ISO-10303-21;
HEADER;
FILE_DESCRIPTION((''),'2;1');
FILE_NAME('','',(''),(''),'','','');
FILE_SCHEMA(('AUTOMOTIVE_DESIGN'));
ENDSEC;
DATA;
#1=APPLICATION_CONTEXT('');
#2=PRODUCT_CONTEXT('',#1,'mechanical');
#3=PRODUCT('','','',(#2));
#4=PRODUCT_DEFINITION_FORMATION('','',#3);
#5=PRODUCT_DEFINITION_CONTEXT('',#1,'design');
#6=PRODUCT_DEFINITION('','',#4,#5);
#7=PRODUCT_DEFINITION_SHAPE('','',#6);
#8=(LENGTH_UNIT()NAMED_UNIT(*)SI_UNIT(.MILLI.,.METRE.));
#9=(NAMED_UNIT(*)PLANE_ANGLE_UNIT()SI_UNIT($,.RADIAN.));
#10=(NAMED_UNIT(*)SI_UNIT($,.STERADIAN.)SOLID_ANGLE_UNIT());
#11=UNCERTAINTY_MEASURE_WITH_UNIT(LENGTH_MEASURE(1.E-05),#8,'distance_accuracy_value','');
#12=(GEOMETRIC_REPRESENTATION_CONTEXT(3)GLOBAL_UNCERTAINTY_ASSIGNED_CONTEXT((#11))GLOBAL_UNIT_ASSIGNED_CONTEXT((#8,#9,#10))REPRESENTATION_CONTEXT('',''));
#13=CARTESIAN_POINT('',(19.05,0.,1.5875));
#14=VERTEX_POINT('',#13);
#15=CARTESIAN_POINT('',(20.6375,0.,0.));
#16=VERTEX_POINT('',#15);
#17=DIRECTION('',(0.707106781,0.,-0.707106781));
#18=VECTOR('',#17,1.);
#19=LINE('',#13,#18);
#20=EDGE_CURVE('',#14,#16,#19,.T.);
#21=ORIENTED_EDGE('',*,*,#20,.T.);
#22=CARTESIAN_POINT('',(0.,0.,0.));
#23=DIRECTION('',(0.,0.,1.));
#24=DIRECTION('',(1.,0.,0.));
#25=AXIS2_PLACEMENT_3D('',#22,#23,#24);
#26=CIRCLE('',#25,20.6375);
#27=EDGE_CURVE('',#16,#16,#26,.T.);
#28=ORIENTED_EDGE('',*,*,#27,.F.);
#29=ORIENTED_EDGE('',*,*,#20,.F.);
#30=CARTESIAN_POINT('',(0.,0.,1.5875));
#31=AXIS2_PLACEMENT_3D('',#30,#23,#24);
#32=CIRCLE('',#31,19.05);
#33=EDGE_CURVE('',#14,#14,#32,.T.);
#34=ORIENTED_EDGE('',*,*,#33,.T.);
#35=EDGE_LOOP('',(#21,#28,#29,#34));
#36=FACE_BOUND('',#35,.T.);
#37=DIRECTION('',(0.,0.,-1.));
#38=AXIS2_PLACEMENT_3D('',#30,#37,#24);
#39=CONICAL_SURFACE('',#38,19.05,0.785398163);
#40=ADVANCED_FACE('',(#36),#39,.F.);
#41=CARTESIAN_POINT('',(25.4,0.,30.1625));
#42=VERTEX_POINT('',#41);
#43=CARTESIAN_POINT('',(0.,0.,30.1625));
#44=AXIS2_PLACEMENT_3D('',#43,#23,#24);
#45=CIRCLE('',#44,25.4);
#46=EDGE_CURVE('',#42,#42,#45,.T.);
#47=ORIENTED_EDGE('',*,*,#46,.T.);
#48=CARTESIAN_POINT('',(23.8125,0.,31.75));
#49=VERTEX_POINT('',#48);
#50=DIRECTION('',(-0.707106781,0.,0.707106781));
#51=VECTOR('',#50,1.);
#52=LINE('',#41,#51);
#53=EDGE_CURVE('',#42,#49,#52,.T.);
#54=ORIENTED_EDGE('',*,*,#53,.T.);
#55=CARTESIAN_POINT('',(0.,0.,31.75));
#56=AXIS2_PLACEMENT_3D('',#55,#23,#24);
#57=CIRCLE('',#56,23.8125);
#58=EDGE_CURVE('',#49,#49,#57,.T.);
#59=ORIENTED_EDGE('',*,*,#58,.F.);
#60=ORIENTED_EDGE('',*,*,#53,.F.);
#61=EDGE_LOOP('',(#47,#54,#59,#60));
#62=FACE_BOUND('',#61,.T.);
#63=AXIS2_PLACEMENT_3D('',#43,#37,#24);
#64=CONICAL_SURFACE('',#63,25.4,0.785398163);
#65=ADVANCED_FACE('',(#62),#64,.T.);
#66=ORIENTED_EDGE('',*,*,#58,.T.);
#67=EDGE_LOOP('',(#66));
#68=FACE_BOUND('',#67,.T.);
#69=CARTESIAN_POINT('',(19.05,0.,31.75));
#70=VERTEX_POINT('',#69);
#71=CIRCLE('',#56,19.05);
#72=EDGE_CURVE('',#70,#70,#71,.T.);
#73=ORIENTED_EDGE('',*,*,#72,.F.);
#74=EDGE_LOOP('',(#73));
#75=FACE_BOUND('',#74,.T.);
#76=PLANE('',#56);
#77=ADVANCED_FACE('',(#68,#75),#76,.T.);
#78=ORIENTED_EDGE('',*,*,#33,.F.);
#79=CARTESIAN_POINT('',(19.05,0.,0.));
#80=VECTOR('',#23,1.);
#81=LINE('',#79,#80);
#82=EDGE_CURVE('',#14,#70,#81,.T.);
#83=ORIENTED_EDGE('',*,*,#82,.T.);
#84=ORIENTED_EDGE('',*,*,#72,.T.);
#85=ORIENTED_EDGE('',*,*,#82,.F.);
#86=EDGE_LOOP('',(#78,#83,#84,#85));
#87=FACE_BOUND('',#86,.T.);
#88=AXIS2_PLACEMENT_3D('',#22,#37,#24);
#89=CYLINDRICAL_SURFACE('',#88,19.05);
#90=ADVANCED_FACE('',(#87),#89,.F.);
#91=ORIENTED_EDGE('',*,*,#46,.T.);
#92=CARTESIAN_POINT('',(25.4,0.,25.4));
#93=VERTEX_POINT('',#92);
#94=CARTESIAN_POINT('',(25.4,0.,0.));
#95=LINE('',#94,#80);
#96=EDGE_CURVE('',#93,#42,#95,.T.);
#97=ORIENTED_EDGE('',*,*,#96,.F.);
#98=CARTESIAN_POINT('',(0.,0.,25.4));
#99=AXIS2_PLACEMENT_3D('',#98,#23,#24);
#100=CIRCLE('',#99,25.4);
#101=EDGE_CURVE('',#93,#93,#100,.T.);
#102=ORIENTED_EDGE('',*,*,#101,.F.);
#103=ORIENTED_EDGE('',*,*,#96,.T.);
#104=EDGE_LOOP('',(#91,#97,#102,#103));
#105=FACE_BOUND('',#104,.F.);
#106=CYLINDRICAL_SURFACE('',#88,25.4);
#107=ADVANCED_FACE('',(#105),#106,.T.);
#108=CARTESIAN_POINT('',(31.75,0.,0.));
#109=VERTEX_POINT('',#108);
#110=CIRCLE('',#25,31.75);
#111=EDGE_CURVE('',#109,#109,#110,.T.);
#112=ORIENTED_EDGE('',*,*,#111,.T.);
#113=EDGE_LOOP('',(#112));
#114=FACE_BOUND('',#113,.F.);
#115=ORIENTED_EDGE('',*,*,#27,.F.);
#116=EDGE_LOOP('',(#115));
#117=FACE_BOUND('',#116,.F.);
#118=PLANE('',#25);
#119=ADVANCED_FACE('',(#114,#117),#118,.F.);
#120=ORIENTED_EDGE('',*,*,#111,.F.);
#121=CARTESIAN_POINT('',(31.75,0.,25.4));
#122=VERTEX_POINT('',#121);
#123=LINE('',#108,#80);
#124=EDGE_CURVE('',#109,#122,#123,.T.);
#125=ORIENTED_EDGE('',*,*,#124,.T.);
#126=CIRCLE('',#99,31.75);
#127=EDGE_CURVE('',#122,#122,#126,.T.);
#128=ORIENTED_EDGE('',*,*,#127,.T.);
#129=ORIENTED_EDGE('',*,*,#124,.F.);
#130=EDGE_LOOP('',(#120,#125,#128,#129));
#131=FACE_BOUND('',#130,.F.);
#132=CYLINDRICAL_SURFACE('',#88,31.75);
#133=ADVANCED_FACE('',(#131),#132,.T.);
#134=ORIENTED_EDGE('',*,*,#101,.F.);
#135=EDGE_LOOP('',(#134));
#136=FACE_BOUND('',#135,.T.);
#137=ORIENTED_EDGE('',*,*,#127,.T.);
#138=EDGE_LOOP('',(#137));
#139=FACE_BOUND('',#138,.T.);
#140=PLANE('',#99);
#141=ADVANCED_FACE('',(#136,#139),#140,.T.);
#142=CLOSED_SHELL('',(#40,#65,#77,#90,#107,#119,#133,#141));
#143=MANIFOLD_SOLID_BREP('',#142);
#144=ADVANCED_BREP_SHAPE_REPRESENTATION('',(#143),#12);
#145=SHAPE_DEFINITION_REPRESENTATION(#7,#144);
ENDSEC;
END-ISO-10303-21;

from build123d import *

# Parameters (mm, degrees)
SKETCH1_R           = 31.75
SKETCH1_R_2         = 25.4
BOSS_EXTRUDE3_DEPTH = 25.4
SKETCH1_3_R         = 25.4
SKETCH1_3_R_2       = 19.05
BOSS_EXTRUDE4_DEPTH = 31.75
CHAMFER1_SIZE       = 1.5875


with BuildPart() as part:
    # Sketch1 → Boss-Extrude3 (new body)
    with BuildSketch(Plane.XY):
        Circle(SKETCH1_R)
        Circle(SKETCH1_R_2, mode=Mode.SUBTRACT)
    extrude(amount=BOSS_EXTRUDE3_DEPTH)

    # Sketch1<3> → Boss-Extrude4 (add)
    with BuildSketch(Plane.XY):
        Circle(SKETCH1_3_R)
        Circle(SKETCH1_3_R_2, mode=Mode.SUBTRACT)
    extrude(amount=BOSS_EXTRUDE4_DEPTH)

    # Chamfer1
    chamfer1_edges = [part.edges().sort_by_distance(p)[0] for p in [
        (-25.4, 0, 31.75),
        (-19.05, 0, 0),
    ]]
    chamfer(chamfer1_edges, length=CHAMFER1_SIZE)


solid = part.part
